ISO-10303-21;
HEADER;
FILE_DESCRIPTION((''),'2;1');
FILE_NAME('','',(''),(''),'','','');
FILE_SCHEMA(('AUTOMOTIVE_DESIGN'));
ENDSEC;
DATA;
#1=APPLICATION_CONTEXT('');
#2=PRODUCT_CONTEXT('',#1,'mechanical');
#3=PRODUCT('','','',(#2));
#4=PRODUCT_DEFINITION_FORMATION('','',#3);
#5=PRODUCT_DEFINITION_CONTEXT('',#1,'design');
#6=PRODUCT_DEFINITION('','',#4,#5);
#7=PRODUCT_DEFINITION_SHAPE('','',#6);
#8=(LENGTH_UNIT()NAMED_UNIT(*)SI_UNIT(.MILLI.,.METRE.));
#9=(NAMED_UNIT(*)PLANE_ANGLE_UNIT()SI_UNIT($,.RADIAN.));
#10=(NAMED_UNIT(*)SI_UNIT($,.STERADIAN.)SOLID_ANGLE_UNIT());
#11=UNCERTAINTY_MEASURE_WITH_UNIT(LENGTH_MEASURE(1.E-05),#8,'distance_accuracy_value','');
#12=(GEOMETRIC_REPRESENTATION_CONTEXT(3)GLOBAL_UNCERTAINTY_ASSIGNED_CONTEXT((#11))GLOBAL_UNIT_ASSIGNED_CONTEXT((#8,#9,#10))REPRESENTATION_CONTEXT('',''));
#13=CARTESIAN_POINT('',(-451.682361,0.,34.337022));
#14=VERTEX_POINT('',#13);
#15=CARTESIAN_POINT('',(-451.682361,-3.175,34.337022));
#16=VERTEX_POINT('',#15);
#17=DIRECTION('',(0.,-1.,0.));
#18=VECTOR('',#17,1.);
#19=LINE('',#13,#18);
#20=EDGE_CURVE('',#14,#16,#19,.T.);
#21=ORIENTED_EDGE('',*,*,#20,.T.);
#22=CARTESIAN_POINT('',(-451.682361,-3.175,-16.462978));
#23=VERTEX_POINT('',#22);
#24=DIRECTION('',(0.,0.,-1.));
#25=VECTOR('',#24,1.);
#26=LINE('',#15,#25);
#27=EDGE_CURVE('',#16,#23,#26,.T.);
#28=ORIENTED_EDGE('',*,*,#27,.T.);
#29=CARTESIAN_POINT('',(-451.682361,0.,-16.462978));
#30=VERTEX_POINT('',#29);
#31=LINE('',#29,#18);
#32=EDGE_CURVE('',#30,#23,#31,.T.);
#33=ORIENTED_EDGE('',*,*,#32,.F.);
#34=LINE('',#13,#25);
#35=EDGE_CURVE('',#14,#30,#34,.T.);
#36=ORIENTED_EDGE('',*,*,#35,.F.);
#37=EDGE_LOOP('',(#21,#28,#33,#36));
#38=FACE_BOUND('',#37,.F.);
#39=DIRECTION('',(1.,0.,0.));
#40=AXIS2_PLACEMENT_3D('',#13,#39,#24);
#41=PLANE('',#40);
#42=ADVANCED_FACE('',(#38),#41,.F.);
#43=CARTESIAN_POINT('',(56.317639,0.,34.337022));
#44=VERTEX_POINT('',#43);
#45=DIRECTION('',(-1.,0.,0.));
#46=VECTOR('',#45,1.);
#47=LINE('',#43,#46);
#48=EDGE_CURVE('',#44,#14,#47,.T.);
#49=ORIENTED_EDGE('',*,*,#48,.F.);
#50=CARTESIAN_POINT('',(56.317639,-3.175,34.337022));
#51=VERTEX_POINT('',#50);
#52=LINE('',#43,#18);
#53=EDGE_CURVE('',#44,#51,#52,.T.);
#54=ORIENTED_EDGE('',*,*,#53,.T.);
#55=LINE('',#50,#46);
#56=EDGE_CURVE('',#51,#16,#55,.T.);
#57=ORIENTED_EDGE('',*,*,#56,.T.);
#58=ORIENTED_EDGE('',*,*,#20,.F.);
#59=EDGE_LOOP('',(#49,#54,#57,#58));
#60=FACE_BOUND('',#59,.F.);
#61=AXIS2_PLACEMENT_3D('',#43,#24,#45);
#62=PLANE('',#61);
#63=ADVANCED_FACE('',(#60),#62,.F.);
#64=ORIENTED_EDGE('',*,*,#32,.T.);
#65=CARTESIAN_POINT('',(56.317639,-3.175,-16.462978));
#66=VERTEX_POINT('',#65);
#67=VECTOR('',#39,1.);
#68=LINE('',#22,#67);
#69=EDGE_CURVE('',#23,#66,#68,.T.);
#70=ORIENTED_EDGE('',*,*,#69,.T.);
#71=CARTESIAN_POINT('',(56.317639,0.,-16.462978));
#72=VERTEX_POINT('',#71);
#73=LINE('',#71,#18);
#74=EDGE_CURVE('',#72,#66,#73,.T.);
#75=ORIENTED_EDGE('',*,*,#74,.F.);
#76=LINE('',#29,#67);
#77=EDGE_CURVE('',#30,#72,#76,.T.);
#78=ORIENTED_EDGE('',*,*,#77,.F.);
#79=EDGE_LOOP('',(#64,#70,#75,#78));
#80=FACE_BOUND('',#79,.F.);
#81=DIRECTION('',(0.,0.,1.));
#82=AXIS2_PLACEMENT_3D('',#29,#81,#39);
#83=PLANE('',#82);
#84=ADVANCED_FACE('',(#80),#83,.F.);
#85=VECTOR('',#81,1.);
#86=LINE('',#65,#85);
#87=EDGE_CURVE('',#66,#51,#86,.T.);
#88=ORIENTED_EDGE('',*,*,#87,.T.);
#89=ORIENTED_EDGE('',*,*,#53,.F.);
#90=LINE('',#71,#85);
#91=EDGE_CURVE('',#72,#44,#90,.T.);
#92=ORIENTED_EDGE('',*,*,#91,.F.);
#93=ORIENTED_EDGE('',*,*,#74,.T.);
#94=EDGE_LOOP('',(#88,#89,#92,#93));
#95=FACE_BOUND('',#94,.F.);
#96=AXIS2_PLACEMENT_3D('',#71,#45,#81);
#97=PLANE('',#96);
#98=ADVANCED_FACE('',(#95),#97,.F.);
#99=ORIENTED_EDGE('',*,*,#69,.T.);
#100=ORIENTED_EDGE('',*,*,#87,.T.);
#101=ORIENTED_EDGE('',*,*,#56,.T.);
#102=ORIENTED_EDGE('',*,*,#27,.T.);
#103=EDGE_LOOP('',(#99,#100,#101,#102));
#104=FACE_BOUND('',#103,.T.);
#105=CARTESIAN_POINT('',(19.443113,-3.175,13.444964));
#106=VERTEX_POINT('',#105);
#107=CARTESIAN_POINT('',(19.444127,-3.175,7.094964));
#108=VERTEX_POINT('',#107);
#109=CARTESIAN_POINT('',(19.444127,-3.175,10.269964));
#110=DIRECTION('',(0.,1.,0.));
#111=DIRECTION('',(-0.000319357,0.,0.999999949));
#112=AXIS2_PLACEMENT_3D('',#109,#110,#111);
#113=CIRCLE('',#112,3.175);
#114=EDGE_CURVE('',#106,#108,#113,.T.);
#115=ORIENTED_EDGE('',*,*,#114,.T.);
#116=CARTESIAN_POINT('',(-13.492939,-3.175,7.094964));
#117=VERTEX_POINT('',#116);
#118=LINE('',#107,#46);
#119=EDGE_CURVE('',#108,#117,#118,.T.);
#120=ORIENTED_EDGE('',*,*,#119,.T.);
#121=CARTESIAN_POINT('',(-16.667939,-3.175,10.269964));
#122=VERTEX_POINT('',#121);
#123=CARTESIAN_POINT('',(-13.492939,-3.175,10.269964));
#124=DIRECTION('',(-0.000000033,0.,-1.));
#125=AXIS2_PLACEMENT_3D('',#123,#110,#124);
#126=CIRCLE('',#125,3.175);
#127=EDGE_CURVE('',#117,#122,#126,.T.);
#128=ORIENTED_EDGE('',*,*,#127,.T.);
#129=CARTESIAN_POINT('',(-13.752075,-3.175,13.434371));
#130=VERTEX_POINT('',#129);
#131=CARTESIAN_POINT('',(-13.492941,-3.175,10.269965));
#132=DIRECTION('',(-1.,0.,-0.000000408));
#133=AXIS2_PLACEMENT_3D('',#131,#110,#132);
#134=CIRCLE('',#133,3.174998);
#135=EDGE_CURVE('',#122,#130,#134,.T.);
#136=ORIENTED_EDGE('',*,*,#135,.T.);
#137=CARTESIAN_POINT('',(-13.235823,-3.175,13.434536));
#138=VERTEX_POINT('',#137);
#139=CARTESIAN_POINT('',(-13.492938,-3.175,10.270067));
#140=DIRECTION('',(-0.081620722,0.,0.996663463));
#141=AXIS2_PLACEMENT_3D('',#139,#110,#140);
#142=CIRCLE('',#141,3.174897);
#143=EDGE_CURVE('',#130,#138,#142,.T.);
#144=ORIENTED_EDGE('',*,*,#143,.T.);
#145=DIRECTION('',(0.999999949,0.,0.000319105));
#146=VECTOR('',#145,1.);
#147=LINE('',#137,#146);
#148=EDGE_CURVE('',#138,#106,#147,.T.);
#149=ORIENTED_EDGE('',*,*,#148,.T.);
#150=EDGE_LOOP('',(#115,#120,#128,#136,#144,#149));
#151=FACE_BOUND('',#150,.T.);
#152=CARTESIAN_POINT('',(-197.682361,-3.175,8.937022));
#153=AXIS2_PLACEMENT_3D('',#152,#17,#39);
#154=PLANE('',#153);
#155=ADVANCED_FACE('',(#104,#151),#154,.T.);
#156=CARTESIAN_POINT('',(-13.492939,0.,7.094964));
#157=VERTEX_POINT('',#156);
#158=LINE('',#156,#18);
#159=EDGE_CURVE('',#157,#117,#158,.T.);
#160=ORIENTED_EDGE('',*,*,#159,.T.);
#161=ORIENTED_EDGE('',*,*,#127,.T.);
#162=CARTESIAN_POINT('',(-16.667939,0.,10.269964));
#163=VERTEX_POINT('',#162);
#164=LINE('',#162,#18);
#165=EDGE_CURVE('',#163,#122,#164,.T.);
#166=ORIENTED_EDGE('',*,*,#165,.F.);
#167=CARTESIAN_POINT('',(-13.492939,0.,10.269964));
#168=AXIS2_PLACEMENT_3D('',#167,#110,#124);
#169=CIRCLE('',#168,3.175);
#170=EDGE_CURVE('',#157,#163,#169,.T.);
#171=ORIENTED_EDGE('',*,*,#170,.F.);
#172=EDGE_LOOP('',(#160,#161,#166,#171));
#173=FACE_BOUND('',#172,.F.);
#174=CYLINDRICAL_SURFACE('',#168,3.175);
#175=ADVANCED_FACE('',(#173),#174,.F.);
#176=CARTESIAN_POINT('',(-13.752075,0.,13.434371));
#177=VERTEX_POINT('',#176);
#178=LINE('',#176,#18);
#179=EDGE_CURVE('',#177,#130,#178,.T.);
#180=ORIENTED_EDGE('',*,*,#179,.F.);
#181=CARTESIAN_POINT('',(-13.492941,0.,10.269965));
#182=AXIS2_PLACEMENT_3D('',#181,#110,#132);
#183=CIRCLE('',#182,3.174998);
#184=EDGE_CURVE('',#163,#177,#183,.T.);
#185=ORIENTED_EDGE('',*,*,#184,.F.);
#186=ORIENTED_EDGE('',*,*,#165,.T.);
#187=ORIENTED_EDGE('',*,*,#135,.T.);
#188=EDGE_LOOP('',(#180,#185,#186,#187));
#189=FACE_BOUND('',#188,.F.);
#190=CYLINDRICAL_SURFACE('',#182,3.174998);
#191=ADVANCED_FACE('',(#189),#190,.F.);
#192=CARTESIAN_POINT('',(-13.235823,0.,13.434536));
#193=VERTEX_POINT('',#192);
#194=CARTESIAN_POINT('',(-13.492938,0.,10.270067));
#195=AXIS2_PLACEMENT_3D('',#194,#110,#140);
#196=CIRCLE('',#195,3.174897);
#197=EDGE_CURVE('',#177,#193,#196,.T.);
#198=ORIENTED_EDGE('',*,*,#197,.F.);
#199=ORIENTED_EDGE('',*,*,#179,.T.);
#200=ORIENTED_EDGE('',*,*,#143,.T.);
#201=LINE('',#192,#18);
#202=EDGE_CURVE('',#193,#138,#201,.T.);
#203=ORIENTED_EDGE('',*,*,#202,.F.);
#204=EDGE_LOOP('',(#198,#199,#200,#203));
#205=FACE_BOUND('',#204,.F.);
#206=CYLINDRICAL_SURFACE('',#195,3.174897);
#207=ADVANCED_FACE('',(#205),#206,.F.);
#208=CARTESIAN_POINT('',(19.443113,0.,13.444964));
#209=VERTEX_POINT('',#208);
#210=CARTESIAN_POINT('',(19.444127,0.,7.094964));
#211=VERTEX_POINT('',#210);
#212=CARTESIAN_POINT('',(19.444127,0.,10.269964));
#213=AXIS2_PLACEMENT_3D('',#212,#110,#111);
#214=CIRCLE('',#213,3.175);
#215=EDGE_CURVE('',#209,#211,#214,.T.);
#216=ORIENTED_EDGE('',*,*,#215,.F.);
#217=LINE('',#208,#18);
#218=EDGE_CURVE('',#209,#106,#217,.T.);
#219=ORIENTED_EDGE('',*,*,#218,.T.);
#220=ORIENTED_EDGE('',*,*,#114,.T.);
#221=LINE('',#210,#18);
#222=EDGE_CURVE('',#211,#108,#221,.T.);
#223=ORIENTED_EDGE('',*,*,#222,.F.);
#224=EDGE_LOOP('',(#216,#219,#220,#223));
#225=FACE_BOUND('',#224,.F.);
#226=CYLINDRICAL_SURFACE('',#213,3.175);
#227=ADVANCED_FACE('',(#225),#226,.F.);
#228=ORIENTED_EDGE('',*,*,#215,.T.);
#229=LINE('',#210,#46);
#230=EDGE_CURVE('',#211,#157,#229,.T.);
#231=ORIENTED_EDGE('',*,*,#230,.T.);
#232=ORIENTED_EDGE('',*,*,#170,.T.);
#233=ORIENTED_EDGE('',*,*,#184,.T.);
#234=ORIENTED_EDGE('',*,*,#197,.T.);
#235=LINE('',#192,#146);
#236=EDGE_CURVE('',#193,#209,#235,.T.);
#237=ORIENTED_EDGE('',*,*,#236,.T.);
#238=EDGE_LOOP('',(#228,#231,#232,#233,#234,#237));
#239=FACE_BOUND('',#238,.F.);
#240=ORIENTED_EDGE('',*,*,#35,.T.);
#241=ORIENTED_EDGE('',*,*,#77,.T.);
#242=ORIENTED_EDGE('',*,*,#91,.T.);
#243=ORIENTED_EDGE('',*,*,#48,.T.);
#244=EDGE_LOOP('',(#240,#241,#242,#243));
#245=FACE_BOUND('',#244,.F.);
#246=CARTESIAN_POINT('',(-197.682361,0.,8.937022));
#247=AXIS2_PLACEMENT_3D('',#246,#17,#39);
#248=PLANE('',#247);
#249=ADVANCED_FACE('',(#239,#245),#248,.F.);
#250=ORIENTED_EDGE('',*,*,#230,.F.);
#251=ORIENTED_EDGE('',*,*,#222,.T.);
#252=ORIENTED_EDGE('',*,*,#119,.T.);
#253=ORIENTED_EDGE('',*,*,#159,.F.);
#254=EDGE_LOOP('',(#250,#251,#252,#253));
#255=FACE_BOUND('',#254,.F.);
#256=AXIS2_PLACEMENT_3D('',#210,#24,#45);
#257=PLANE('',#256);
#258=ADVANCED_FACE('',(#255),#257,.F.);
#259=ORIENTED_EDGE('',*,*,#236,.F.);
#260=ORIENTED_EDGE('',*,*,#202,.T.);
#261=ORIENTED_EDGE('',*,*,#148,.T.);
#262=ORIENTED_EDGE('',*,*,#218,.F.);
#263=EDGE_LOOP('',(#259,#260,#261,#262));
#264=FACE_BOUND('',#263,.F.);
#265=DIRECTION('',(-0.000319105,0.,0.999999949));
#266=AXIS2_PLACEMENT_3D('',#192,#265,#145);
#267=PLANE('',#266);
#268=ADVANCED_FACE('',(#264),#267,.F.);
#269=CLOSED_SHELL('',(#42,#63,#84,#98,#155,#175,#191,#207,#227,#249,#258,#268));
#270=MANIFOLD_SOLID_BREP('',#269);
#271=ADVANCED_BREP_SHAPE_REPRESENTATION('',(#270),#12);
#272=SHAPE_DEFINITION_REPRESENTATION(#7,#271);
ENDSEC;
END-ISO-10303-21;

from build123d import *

# Parameters (mm, degrees)
F1_DEPTH = 3.175


with BuildPart() as f1:
    # F0 (on Front) → F1 (new body)
    with BuildSketch(Plane.XZ):
        Polygon((56.317639, 34.337022), (-451.682361, 34.337022), (-451.682361, 10.269964), (-451.682361, -16.462978), (56.317639, -16.462978), align=None)
        with BuildLine():
            ThreePointArc((-13.492939, 7.094964), (-15.738003, 8.0249), (-16.667939, 10.269964))
            ThreePointArc((-16.667939, 10.269964), (-15.827825, 12.42146), (-13.752075, 13.434371))
            ThreePointArc((-13.752075, 13.434371), (-13.493952, 13.444964), (-13.235823, 13.434536))
            Line((-13.235823, 13.434536), (19.443113, 13.444964))
            ThreePointArc((19.443113, 13.444964), (22.619127, 10.270471), (19.444127, 7.094964))
            Line((19.444127, 7.094964), (-13.492939, 7.094964))
        make_face(mode=Mode.SUBTRACT)
    extrude(amount=F1_DEPTH)


solid = f1.part
